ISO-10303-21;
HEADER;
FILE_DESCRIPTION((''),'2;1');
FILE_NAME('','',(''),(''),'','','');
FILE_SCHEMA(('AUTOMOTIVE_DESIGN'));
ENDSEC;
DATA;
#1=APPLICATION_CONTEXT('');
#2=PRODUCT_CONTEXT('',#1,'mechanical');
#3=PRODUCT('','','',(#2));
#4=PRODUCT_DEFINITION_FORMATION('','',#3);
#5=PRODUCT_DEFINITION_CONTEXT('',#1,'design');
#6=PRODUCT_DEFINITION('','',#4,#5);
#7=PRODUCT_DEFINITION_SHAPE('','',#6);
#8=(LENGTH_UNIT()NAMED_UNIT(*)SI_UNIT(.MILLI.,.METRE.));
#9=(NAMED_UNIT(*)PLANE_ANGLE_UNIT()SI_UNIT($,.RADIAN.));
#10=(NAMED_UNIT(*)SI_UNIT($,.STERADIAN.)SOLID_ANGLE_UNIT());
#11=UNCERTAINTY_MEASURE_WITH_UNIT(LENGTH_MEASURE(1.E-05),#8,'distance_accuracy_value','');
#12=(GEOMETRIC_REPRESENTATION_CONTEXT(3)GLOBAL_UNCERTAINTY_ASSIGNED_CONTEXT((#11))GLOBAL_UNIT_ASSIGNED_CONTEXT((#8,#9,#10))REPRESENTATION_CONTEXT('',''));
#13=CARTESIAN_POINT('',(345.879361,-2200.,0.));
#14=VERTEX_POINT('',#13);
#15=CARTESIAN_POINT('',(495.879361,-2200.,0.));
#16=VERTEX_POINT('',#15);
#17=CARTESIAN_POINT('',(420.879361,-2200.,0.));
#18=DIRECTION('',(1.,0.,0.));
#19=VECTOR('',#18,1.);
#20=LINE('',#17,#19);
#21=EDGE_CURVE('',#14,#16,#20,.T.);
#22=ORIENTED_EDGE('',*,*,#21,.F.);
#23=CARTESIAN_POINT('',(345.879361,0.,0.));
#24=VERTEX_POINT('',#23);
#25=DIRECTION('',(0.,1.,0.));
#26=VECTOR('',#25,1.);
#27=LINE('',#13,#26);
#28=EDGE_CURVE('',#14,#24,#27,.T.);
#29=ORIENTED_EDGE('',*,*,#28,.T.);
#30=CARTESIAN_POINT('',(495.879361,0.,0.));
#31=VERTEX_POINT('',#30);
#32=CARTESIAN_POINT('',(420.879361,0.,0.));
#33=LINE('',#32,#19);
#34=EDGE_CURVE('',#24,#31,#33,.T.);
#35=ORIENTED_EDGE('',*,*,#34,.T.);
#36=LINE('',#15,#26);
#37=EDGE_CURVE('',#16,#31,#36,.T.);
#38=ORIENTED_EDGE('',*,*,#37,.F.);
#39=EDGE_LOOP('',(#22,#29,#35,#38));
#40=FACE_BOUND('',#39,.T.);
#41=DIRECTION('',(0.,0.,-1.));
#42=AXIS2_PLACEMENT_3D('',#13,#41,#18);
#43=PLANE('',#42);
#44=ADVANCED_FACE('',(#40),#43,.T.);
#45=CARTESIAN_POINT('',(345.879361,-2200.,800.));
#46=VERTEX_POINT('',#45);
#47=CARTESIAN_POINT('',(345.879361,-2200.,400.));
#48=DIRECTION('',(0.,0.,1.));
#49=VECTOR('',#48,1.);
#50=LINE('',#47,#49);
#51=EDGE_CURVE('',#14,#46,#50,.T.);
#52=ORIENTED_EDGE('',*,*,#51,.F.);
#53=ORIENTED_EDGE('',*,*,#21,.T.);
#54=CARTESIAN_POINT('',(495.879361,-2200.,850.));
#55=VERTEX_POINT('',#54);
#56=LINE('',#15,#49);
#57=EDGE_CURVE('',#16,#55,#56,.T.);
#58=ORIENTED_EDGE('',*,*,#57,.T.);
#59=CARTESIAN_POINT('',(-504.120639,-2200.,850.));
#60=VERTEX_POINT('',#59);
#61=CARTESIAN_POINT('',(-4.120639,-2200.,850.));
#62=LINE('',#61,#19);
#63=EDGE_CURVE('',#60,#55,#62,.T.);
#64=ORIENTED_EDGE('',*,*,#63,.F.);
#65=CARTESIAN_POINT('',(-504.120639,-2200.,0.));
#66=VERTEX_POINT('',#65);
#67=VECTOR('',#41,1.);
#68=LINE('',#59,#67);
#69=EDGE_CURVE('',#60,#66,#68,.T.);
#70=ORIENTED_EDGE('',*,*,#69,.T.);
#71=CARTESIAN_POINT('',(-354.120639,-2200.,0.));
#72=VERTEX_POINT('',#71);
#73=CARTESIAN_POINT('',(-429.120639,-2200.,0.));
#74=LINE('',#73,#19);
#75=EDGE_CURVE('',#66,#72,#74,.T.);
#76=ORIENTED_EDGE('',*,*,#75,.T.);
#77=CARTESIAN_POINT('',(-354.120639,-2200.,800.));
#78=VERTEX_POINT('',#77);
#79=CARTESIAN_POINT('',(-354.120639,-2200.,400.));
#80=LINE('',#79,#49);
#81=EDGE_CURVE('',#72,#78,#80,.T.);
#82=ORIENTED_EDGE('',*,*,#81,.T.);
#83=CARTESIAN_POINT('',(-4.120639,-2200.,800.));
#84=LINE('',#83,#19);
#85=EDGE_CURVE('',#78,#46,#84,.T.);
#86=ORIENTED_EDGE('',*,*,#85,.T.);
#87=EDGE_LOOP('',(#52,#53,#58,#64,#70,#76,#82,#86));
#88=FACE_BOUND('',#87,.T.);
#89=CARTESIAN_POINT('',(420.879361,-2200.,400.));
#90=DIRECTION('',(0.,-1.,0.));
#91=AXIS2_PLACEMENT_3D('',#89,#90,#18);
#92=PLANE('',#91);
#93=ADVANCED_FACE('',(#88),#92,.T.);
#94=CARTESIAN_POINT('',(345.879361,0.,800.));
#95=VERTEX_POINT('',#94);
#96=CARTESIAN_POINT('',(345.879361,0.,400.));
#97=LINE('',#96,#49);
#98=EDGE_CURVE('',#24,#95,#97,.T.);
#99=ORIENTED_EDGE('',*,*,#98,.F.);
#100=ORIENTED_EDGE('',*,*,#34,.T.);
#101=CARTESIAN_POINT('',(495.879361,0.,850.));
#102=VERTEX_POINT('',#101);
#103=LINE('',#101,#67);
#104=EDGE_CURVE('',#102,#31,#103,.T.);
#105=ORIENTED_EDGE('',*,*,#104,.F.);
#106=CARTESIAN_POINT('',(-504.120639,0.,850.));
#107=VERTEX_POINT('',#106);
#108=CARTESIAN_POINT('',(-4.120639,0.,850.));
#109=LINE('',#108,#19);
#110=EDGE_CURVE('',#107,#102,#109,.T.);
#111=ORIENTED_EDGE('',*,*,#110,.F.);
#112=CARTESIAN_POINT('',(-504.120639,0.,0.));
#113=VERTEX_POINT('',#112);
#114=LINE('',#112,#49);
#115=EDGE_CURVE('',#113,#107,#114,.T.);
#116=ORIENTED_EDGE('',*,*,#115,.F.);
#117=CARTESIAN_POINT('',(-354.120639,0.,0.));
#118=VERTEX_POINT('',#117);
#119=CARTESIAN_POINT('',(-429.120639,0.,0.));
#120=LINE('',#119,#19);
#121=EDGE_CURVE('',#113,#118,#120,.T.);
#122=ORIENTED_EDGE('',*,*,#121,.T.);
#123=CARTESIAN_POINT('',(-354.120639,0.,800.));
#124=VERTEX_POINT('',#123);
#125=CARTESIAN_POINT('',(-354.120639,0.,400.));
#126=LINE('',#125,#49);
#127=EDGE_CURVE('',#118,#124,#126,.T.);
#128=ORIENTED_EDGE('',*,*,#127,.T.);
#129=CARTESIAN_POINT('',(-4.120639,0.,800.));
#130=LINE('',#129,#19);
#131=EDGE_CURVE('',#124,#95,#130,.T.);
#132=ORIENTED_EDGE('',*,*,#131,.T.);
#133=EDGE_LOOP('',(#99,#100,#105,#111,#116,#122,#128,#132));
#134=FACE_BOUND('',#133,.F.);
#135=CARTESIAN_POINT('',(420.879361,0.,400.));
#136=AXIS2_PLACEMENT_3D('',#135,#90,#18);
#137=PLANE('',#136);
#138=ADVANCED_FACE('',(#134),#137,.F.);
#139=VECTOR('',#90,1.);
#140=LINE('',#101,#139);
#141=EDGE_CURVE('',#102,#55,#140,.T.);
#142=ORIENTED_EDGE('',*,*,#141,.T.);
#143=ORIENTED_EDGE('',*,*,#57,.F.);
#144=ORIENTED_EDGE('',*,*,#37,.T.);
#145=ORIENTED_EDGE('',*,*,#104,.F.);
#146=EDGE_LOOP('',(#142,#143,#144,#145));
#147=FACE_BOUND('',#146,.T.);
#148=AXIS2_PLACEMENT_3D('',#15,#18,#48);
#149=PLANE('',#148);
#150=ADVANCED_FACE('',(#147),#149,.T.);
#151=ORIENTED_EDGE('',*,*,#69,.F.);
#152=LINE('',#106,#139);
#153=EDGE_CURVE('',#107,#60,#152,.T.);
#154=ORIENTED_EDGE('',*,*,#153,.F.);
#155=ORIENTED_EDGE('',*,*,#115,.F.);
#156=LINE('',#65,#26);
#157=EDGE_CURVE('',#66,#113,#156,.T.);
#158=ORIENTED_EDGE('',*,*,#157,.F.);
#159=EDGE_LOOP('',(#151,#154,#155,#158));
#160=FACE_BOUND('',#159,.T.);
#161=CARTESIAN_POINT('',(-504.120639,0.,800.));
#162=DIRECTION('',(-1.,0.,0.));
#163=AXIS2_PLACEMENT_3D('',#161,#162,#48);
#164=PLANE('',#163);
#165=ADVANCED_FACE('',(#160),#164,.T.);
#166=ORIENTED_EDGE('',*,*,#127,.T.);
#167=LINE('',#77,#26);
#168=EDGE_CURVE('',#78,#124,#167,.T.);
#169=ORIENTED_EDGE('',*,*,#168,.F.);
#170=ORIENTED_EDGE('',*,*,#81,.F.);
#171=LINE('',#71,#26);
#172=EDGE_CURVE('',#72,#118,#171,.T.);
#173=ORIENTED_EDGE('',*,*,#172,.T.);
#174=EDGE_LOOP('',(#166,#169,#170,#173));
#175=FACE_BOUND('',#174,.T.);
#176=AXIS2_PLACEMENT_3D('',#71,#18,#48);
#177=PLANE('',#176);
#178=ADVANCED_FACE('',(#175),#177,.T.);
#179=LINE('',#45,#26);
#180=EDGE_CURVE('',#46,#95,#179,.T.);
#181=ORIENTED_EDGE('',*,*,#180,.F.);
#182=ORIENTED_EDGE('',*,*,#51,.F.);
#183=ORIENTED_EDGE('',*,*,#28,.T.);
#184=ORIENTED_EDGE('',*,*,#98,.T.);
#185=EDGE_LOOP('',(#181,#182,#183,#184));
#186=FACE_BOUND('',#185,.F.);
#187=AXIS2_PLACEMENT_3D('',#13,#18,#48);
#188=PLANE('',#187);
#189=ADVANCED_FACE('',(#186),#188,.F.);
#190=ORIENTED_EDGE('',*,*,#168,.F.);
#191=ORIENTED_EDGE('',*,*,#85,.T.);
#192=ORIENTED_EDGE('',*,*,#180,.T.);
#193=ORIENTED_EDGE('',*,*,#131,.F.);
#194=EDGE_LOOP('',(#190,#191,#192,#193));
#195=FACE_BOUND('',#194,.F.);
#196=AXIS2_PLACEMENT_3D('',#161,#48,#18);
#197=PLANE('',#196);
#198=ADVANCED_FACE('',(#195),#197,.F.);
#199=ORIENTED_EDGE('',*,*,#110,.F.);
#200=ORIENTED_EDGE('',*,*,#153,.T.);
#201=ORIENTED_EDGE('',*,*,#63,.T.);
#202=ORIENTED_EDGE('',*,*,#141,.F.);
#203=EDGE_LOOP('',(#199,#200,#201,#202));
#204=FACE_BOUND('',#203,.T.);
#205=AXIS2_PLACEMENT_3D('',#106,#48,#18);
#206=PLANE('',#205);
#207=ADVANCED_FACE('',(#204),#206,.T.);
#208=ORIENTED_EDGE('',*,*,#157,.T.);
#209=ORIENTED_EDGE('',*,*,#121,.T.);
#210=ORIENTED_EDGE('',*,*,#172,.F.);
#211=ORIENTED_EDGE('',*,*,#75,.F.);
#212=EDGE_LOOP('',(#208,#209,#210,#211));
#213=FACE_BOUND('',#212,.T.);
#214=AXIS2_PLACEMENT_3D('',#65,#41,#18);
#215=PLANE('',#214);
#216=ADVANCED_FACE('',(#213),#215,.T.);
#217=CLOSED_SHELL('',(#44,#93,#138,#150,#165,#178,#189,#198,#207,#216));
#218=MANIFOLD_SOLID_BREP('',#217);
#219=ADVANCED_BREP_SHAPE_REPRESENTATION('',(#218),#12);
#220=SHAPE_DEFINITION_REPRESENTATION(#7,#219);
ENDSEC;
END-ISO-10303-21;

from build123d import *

# Parameters (mm, degrees)
F0_W     = 1000
F0_H     = 50
F1_DEPTH = 2200
F2_W     = 150
F2_H     = 800
F3_DEPTH = 2200


with BuildPart() as f1:
    # F0 (on Front) → F1 (new body)
    with BuildSketch(Plane.XZ):
        with Locations((-4.120639, 825)):
            Rectangle(F0_W, F0_H)
    extrude(amount=F1_DEPTH)

    # F2 (on face) → F3 (join, through all)
    with BuildSketch(Plane.XZ.offset(2200)):
        with Locations((420.879361, 400)):
            Rectangle(F2_W, F2_H)
        with Locations((-429.120639, 400)):
            Rectangle(F2_W, F2_H)
    extrude(amount=-F3_DEPTH)


solid = f1.part
